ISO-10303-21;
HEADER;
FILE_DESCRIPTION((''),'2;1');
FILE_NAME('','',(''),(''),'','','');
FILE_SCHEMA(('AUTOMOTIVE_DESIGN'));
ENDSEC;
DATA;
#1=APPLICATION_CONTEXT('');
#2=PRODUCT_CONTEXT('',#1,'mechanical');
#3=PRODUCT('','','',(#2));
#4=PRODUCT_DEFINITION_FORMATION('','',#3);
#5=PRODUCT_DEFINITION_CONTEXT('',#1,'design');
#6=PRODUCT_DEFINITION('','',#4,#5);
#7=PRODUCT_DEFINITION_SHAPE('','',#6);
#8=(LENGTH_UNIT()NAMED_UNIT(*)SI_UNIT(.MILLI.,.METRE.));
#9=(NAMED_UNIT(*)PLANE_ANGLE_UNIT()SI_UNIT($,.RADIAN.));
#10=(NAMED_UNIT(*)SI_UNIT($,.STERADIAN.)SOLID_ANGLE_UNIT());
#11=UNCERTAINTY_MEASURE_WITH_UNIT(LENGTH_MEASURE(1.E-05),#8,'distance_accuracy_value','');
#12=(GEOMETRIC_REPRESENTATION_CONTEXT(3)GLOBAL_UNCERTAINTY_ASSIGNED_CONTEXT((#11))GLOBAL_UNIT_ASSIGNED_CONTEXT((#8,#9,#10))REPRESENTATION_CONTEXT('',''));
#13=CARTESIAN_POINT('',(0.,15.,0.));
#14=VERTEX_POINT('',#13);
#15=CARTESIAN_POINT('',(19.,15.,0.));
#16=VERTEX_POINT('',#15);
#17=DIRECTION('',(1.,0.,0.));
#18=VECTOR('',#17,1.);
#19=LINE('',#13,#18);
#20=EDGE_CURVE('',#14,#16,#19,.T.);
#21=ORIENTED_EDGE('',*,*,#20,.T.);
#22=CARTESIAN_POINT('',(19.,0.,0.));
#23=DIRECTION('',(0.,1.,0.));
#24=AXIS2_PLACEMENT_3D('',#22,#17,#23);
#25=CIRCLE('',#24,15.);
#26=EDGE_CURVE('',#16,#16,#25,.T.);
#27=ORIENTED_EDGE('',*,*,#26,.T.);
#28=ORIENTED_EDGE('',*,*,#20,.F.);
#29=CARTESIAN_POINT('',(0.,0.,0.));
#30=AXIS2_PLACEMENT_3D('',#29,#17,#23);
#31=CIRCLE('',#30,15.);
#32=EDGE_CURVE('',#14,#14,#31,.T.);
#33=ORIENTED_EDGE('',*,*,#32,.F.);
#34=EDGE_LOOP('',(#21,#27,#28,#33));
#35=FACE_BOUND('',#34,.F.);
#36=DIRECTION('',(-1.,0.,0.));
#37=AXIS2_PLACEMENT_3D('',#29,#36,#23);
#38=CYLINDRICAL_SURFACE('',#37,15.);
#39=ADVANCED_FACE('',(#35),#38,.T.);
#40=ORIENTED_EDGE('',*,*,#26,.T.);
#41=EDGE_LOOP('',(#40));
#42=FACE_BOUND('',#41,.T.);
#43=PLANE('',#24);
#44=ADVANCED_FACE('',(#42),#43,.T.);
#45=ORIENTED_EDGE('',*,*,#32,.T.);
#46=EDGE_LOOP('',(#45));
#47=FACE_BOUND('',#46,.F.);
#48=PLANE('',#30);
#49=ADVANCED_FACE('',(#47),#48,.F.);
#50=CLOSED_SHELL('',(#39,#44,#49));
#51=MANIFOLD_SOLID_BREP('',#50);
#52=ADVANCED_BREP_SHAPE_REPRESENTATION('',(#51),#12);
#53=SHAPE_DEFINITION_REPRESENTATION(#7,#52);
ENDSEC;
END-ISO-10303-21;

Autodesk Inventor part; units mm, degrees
ref_plane "YZ Plane" through (0, 0, 0) normal (1, 0, 0) x (0, 1, 0)
ref_plane "XZ Plane" through (0, 0, 0) normal (0, 1, 0) x (-1, 0, 0)
ref_plane "XY Plane" through (0, 0, 0) normal (0, 0, 1) x (1, 0, 0)
sketch "Sketch1" plane through (0, 0, 0) normal (1, 0, 0) x (0, 1, 0)
  circle A0 centre (0, 0) radius 15
  dimension "d0" = 30
extrude "Extrusion1" add sketch "Sketch1" along normal blind 19
properties material "Glass"
